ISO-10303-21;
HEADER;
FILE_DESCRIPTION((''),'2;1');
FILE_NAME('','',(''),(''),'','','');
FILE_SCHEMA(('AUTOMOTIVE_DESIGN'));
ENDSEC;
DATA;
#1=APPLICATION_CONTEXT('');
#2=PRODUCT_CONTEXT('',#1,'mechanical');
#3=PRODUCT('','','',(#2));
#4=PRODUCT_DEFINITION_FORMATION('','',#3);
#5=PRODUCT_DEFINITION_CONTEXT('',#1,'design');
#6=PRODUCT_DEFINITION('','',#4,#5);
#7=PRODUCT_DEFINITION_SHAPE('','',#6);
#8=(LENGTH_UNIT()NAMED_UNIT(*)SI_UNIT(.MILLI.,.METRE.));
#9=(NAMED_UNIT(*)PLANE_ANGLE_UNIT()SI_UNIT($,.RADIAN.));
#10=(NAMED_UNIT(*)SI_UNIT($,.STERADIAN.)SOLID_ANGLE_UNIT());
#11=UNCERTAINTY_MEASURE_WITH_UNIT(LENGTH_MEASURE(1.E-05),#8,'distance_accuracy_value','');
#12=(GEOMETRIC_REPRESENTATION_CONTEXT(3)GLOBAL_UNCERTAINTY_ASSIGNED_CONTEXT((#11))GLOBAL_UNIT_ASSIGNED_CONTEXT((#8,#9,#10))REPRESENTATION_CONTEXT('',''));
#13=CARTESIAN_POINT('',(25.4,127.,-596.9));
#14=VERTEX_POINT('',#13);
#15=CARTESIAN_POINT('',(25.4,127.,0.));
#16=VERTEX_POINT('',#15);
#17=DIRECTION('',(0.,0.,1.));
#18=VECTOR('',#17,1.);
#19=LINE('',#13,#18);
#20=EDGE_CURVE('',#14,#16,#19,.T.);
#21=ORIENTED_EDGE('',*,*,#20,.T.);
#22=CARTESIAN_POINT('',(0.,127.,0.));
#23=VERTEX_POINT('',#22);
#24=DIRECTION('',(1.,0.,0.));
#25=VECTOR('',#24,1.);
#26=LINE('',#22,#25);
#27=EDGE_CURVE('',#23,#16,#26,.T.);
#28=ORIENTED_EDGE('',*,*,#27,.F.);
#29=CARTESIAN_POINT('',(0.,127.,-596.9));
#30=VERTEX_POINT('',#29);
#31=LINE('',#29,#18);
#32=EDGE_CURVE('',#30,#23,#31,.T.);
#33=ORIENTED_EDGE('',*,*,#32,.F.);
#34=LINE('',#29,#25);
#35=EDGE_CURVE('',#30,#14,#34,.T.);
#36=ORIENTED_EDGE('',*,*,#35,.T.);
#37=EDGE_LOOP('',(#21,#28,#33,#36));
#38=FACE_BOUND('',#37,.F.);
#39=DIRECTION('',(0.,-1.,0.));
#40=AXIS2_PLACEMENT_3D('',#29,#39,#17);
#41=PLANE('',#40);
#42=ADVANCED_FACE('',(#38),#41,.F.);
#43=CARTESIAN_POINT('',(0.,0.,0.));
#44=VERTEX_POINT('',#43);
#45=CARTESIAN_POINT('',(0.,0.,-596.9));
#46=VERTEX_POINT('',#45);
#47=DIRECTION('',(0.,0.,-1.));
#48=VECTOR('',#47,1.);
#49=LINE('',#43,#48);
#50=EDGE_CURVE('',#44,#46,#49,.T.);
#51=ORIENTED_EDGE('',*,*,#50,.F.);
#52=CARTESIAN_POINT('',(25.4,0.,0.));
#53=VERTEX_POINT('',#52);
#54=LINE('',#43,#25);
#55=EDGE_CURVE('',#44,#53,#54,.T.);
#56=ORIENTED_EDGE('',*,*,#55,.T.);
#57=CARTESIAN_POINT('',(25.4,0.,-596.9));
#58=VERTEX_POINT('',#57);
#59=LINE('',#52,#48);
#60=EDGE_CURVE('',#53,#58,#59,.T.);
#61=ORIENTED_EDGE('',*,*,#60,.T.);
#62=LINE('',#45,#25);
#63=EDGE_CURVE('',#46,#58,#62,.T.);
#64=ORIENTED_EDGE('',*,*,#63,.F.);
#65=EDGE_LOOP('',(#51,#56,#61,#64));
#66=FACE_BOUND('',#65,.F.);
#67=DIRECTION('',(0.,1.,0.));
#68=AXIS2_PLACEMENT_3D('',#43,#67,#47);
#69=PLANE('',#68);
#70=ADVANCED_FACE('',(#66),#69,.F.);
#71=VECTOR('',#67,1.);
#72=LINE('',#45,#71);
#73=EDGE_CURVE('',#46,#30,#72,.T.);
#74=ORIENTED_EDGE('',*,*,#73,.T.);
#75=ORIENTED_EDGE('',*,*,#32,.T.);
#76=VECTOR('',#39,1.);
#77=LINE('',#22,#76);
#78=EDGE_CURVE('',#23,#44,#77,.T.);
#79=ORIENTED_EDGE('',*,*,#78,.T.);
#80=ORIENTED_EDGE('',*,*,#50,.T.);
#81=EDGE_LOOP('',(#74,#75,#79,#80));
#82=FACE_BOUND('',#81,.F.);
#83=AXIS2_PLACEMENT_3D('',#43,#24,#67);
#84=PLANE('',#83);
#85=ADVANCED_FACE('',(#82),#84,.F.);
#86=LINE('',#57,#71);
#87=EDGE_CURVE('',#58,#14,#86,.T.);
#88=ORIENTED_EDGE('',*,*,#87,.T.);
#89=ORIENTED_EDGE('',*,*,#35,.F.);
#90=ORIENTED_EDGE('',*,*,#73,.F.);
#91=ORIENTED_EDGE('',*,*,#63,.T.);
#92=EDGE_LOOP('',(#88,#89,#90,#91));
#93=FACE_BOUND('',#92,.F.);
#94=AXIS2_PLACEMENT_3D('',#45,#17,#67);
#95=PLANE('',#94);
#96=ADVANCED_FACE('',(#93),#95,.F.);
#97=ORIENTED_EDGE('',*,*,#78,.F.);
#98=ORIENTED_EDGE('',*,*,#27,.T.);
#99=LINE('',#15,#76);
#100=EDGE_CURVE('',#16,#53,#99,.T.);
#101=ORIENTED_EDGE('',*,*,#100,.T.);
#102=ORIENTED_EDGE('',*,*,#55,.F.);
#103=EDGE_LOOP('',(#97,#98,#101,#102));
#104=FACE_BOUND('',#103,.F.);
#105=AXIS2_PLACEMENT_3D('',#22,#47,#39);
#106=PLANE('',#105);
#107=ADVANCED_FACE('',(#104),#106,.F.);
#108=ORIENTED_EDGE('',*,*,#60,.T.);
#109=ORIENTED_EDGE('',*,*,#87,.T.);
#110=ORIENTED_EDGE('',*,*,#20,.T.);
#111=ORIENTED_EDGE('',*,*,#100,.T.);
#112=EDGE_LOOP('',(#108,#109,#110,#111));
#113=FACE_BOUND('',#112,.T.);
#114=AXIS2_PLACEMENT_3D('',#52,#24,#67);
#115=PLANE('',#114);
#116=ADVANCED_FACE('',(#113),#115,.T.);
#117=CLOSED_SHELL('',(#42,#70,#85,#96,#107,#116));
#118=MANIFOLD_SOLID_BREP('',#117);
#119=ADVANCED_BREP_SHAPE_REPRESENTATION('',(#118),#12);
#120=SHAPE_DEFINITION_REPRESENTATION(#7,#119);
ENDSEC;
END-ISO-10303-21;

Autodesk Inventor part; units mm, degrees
ref_plane "YZ Plane" through (0, 0, 0) normal (1, 0, 0) x (0, 1, 0)
ref_plane "XZ Plane" through (0, 0, 0) normal (0, 1, 0) x (-1, 0, 0)
ref_plane "XY Plane" through (0, 0, 0) normal (0, 0, 1) x (1, 0, 0)
sketch "Sketch1" plane through (0, 0, 0) normal (1, 0, 0) x (0, 1, 0)
  line L0 (0, 0) -> (0, -596.9)
  line L1 (0, -596.9) -> (127, -596.9)
  line L2 (127, -596.9) -> (127, 0)
  line L3 (127, 0) -> (0, 0)
  dimension "d0" = 596.9
  dimension "d1" = 127
extrude "Extrusion1" add sketch "Sketch1" along normal blind 25.4
properties part number "Wood 22.25-5-1"
